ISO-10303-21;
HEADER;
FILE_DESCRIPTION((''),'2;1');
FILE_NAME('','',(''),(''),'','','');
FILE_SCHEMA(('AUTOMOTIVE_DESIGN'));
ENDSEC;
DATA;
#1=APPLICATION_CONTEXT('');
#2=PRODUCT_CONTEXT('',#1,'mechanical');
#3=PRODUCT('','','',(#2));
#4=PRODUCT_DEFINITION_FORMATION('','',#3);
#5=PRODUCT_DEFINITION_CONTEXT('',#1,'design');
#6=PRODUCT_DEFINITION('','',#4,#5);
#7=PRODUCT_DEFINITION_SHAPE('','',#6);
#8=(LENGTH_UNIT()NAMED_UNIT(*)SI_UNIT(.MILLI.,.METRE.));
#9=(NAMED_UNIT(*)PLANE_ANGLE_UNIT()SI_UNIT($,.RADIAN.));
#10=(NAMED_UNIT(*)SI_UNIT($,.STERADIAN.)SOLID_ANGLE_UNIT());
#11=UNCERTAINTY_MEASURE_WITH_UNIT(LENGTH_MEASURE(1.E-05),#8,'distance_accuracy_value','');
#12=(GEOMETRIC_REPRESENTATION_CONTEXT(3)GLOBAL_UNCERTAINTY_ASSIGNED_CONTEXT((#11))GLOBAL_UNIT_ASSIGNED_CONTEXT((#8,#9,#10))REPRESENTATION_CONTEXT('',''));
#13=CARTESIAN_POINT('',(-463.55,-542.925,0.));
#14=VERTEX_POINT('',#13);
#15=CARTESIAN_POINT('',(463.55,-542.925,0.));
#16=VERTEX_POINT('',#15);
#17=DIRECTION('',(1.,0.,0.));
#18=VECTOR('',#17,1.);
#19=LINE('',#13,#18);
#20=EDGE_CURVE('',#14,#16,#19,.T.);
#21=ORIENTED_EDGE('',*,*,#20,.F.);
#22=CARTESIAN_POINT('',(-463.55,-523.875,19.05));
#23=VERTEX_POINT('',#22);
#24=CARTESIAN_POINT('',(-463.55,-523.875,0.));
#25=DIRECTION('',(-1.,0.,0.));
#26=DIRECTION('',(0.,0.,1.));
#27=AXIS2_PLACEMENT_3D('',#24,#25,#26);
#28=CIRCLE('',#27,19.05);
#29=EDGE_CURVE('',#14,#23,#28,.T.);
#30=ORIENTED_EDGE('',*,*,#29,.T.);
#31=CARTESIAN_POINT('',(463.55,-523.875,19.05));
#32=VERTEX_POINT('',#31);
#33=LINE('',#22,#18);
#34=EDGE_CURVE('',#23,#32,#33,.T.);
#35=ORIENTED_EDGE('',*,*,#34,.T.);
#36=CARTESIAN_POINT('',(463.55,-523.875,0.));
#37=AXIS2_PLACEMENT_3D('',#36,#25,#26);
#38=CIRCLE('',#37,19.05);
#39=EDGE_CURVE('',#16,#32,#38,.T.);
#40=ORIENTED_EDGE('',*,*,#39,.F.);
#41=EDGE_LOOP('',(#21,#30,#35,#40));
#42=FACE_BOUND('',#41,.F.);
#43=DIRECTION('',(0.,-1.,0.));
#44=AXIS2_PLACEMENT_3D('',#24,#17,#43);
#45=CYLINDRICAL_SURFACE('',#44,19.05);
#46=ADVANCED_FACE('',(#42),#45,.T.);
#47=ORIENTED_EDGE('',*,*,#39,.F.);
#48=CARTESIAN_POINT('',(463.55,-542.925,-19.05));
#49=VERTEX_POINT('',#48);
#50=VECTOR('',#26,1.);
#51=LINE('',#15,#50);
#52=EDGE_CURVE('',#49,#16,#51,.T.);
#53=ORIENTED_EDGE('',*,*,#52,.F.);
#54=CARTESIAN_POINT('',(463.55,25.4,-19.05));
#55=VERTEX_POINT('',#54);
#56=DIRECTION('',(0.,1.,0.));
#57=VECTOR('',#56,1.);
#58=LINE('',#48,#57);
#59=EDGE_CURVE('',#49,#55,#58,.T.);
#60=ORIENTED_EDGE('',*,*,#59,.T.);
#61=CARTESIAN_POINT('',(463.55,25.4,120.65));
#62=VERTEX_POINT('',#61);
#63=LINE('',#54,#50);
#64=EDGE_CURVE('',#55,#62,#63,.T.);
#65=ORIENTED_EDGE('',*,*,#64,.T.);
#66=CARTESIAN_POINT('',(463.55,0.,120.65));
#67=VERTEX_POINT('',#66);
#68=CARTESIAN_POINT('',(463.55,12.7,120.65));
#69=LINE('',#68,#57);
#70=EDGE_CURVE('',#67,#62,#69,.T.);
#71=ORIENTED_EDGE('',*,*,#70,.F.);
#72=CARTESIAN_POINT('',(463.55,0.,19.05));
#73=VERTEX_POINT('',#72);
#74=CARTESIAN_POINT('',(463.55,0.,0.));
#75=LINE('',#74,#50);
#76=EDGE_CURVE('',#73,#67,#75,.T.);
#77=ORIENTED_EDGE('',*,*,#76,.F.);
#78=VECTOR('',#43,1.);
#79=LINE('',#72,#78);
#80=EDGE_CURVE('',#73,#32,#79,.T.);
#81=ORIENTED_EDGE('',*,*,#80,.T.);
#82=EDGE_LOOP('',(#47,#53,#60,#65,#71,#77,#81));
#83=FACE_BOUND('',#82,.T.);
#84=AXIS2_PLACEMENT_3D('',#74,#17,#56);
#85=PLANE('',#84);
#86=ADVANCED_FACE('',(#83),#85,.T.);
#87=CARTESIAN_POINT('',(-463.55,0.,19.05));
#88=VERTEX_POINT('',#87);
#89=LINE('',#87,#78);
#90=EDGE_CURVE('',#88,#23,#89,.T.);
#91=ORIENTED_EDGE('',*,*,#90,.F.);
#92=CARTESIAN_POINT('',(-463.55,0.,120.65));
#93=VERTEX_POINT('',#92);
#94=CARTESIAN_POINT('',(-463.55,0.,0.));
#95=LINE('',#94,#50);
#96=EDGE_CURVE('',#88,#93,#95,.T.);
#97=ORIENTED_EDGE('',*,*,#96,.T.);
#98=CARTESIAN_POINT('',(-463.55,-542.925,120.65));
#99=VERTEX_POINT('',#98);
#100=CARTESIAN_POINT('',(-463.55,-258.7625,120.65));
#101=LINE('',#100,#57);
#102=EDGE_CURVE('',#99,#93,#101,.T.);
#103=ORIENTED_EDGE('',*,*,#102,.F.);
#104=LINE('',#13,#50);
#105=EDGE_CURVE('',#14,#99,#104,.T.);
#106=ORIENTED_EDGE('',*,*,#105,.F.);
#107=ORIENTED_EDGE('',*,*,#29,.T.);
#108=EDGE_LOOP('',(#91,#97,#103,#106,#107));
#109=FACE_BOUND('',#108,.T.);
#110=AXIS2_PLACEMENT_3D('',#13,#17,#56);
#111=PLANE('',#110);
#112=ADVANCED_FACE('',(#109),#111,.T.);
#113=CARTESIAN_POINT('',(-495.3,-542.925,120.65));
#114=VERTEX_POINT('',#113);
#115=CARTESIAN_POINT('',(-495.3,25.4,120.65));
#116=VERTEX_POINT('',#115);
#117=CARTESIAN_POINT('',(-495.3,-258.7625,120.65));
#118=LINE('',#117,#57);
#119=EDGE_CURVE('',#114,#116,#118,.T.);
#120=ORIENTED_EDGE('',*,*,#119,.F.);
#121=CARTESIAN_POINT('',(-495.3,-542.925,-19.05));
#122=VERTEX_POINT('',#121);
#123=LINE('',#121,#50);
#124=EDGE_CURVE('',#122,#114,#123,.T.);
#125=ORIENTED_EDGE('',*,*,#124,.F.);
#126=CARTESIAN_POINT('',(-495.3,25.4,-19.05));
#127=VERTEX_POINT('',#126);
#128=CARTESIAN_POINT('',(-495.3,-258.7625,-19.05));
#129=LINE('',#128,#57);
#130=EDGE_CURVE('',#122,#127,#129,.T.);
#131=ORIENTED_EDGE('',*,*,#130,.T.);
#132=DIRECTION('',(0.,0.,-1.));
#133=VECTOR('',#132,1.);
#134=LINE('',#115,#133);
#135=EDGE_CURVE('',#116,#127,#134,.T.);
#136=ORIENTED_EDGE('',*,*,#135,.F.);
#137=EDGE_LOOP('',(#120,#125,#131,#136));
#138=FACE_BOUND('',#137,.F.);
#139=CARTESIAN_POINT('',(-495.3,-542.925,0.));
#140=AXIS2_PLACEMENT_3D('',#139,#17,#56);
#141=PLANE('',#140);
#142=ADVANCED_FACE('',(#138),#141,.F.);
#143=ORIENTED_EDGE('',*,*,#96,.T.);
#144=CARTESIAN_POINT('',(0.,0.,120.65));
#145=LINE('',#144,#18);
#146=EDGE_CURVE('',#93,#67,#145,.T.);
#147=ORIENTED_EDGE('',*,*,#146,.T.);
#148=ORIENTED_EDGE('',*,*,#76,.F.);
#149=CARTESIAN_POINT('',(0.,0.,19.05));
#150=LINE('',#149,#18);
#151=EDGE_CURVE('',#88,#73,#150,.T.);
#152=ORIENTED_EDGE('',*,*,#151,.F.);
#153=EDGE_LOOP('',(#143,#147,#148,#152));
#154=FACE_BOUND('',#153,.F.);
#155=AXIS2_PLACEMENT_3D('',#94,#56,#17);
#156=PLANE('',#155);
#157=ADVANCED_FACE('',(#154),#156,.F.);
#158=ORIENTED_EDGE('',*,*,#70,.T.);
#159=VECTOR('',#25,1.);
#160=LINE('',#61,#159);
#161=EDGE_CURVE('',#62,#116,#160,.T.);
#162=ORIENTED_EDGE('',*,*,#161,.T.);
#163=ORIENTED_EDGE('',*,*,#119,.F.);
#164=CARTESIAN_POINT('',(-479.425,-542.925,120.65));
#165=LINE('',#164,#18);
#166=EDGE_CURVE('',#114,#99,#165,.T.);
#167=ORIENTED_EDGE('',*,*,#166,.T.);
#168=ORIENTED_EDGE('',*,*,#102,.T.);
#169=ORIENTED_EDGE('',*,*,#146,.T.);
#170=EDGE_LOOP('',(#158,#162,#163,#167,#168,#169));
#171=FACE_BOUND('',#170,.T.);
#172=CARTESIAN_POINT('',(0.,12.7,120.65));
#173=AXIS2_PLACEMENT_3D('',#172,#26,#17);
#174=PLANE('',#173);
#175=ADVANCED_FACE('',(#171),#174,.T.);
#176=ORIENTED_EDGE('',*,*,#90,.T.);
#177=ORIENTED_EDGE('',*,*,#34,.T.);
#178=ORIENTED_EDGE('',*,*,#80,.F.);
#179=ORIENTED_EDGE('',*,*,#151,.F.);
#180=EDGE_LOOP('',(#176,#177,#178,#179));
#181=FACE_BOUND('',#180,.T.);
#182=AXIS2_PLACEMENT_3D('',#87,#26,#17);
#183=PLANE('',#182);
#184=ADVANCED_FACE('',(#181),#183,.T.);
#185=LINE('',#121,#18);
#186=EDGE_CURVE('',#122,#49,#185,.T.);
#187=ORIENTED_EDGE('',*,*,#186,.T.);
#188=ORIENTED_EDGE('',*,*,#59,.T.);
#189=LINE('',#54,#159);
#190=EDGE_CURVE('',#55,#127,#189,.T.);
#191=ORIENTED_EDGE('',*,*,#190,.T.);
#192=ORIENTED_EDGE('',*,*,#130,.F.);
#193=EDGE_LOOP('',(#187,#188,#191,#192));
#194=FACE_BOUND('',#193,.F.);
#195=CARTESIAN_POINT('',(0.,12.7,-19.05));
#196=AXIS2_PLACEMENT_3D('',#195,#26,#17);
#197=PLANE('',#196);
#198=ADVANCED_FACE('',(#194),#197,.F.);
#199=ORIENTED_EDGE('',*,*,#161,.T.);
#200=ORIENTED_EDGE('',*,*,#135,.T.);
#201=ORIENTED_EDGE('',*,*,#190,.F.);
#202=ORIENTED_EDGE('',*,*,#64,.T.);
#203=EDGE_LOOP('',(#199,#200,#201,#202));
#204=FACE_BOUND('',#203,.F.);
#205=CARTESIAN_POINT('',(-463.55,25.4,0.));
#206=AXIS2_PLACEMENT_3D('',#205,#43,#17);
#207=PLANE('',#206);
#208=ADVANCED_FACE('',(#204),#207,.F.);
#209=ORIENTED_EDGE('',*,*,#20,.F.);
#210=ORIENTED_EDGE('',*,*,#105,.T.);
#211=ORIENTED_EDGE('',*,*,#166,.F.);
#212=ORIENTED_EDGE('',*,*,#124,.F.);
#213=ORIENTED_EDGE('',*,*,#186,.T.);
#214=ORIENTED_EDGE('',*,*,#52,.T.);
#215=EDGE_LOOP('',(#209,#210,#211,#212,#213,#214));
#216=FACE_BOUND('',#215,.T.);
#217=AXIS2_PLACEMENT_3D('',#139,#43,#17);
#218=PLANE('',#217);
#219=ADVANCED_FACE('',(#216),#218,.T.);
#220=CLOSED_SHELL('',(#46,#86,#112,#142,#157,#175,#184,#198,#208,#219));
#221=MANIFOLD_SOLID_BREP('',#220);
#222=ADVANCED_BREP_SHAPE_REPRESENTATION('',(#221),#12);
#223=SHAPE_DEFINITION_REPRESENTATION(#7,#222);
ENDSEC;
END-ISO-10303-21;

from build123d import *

# Parameters (mm, degrees)
F0_W          = 927.1
F0_H          = 38.1
F1_DEPTH      = 542.925
F3_W          = 31.75
F3_H          = 568.325
F4_DEPTH      = 120.65
F4_DEPTH_BACK = 19.05
F5_W          = 927.1
F5_H          = 25.4
F6_DEPTH      = 120.65
F6_DEPTH_BACK = 19.05
F7_R          = 19.05


with BuildPart() as f1:
    # F0 (on Front) → F1 (new body)
    with BuildSketch(Plane.XZ):
        Rectangle(F0_W, F0_H)
    extrude(amount=F1_DEPTH)

    # F3 (on Top) → F4 (join, two sides)
    with BuildSketch(Plane.XY) as f4_sk:
        with Locations((-479.425, -258.7625)):
            Rectangle(F3_W, F3_H)
    extrude(amount=F4_DEPTH)
    extrude(f4_sk.sketch, amount=-F4_DEPTH_BACK)

    # F5 (on Top) → F6 (join, two sides)
    with BuildSketch(Plane.XY) as f6_sk:
        with Locations((0, 12.7)):
            Rectangle(F5_W, F5_H)
    extrude(amount=F6_DEPTH)
    extrude(f6_sk.sketch, amount=-F6_DEPTH_BACK)

    # F7
    f7_edges = [f1.edges().sort_by_distance(p)[0] for p in [
        (0, -542.925, 19.05),
    ]]
    fillet(f7_edges, radius=F7_R)


solid = f1.part
